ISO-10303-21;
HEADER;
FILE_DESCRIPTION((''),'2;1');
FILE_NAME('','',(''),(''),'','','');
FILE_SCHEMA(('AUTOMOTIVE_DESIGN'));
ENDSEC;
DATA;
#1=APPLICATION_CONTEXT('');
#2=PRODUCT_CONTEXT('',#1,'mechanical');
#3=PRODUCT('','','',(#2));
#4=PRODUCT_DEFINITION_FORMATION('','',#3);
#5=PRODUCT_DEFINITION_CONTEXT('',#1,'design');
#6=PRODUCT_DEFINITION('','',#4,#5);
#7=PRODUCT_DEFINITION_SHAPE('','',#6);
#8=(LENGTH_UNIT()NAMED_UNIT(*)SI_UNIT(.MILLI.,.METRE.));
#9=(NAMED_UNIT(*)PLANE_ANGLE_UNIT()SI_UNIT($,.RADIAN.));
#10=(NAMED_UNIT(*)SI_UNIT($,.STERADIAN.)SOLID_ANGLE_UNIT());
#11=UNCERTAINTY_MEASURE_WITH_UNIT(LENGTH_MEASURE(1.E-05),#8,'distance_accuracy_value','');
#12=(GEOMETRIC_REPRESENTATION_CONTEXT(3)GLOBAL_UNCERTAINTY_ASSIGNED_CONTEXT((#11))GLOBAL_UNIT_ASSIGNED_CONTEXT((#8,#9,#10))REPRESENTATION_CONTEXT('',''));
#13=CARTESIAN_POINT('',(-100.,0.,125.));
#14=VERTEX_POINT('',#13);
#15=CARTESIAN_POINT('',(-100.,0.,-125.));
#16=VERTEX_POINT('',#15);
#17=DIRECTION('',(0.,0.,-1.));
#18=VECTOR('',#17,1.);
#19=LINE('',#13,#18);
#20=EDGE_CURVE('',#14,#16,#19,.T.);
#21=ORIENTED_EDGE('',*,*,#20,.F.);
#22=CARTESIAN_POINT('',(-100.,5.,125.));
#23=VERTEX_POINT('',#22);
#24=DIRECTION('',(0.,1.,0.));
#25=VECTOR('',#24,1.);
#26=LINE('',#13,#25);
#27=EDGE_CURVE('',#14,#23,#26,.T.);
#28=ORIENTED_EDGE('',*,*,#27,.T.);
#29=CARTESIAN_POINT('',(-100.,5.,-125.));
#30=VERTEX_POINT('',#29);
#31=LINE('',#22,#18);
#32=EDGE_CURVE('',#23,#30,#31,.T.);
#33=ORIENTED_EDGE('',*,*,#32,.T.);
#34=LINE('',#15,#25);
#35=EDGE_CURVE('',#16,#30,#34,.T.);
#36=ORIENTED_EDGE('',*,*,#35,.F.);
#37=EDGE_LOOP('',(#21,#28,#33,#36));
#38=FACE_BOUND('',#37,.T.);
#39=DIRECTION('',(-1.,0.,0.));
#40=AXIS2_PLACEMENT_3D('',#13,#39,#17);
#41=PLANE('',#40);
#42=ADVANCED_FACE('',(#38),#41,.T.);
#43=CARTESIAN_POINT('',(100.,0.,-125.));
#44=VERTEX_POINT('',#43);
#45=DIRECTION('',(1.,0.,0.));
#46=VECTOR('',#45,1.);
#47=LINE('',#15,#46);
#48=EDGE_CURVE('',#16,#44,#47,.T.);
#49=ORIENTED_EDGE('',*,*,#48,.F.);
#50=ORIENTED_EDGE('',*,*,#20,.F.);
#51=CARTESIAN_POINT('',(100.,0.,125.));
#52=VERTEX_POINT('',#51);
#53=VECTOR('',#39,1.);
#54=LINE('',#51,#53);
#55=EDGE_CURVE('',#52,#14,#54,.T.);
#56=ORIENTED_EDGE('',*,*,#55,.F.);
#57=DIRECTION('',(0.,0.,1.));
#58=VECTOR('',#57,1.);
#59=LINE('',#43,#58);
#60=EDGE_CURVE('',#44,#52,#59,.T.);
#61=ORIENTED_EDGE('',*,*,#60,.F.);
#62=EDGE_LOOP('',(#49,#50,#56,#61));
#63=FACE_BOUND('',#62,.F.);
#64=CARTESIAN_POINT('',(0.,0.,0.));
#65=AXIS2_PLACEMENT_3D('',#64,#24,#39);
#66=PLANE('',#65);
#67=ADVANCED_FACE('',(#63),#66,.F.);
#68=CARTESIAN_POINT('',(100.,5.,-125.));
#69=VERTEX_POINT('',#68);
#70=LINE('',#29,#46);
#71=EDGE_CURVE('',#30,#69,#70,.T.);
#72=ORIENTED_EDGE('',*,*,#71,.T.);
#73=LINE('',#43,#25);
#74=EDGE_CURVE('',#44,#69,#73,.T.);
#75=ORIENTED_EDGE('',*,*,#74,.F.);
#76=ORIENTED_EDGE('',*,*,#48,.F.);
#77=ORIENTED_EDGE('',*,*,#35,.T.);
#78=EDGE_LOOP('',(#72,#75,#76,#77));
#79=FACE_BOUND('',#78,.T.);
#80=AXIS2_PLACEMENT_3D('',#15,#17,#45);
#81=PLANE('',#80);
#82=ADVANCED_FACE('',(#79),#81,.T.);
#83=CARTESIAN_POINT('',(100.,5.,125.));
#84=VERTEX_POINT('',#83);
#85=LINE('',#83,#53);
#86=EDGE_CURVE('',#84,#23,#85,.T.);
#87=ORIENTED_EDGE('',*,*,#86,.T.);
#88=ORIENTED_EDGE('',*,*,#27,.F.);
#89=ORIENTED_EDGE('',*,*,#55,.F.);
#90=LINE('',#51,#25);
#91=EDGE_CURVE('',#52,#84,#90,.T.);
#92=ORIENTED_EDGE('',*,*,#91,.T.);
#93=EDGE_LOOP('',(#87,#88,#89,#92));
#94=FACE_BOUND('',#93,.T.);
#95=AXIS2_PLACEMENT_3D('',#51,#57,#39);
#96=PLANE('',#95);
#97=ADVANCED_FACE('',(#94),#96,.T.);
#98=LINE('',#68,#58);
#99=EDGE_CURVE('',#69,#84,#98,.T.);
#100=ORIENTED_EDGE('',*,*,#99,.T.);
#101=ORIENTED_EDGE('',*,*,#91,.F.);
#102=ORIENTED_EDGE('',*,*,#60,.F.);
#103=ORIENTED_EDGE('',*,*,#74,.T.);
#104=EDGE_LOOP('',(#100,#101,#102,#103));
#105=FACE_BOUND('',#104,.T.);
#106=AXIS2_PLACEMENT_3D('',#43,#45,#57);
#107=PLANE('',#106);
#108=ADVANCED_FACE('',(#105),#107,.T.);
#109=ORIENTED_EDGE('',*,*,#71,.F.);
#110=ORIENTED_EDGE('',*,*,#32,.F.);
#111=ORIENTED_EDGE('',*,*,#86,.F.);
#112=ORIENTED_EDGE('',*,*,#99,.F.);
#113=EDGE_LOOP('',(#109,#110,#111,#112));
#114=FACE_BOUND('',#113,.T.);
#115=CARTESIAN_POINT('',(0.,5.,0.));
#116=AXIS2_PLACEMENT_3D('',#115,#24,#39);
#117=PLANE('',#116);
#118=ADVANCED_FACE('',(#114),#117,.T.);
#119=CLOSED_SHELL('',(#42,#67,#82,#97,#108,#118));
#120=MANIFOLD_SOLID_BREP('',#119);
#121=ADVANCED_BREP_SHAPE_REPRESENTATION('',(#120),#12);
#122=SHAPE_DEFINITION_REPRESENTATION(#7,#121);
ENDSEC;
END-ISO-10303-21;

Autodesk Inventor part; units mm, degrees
ref_plane "YZ Plane" through (0, 0, 0) normal (1, 0, 0) x (0, 1, 0)
ref_plane "XZ Plane" through (0, 0, 0) normal (0, 1, 0) x (-1, 0, 0)
ref_plane "XY Plane" through (0, 0, 0) normal (0, 0, 1) x (1, 0, 0)
sketch "Sketch1" plane through (0, 0, 0) normal (0, 1, 0) x (-1, 0, 0)
  line L0 (-100, 125) -> (100, 125)
  line L1 (100, 125) -> (100, -125)
  line L2 (100, -125) -> (-100, -125)
  line L3 (-100, -125) -> (-100, 125)
  line L4 (-100, 125) -> (100, -125) construction
  line L5 (100, 125) -> (-100, -125) construction
  point P0 (0, 0)
  dimension "d0" = 250
  dimension "d1" = 200
extrude "Extrusion1" add sketch "Sketch1" along normal blind 5
properties part number "platform"
